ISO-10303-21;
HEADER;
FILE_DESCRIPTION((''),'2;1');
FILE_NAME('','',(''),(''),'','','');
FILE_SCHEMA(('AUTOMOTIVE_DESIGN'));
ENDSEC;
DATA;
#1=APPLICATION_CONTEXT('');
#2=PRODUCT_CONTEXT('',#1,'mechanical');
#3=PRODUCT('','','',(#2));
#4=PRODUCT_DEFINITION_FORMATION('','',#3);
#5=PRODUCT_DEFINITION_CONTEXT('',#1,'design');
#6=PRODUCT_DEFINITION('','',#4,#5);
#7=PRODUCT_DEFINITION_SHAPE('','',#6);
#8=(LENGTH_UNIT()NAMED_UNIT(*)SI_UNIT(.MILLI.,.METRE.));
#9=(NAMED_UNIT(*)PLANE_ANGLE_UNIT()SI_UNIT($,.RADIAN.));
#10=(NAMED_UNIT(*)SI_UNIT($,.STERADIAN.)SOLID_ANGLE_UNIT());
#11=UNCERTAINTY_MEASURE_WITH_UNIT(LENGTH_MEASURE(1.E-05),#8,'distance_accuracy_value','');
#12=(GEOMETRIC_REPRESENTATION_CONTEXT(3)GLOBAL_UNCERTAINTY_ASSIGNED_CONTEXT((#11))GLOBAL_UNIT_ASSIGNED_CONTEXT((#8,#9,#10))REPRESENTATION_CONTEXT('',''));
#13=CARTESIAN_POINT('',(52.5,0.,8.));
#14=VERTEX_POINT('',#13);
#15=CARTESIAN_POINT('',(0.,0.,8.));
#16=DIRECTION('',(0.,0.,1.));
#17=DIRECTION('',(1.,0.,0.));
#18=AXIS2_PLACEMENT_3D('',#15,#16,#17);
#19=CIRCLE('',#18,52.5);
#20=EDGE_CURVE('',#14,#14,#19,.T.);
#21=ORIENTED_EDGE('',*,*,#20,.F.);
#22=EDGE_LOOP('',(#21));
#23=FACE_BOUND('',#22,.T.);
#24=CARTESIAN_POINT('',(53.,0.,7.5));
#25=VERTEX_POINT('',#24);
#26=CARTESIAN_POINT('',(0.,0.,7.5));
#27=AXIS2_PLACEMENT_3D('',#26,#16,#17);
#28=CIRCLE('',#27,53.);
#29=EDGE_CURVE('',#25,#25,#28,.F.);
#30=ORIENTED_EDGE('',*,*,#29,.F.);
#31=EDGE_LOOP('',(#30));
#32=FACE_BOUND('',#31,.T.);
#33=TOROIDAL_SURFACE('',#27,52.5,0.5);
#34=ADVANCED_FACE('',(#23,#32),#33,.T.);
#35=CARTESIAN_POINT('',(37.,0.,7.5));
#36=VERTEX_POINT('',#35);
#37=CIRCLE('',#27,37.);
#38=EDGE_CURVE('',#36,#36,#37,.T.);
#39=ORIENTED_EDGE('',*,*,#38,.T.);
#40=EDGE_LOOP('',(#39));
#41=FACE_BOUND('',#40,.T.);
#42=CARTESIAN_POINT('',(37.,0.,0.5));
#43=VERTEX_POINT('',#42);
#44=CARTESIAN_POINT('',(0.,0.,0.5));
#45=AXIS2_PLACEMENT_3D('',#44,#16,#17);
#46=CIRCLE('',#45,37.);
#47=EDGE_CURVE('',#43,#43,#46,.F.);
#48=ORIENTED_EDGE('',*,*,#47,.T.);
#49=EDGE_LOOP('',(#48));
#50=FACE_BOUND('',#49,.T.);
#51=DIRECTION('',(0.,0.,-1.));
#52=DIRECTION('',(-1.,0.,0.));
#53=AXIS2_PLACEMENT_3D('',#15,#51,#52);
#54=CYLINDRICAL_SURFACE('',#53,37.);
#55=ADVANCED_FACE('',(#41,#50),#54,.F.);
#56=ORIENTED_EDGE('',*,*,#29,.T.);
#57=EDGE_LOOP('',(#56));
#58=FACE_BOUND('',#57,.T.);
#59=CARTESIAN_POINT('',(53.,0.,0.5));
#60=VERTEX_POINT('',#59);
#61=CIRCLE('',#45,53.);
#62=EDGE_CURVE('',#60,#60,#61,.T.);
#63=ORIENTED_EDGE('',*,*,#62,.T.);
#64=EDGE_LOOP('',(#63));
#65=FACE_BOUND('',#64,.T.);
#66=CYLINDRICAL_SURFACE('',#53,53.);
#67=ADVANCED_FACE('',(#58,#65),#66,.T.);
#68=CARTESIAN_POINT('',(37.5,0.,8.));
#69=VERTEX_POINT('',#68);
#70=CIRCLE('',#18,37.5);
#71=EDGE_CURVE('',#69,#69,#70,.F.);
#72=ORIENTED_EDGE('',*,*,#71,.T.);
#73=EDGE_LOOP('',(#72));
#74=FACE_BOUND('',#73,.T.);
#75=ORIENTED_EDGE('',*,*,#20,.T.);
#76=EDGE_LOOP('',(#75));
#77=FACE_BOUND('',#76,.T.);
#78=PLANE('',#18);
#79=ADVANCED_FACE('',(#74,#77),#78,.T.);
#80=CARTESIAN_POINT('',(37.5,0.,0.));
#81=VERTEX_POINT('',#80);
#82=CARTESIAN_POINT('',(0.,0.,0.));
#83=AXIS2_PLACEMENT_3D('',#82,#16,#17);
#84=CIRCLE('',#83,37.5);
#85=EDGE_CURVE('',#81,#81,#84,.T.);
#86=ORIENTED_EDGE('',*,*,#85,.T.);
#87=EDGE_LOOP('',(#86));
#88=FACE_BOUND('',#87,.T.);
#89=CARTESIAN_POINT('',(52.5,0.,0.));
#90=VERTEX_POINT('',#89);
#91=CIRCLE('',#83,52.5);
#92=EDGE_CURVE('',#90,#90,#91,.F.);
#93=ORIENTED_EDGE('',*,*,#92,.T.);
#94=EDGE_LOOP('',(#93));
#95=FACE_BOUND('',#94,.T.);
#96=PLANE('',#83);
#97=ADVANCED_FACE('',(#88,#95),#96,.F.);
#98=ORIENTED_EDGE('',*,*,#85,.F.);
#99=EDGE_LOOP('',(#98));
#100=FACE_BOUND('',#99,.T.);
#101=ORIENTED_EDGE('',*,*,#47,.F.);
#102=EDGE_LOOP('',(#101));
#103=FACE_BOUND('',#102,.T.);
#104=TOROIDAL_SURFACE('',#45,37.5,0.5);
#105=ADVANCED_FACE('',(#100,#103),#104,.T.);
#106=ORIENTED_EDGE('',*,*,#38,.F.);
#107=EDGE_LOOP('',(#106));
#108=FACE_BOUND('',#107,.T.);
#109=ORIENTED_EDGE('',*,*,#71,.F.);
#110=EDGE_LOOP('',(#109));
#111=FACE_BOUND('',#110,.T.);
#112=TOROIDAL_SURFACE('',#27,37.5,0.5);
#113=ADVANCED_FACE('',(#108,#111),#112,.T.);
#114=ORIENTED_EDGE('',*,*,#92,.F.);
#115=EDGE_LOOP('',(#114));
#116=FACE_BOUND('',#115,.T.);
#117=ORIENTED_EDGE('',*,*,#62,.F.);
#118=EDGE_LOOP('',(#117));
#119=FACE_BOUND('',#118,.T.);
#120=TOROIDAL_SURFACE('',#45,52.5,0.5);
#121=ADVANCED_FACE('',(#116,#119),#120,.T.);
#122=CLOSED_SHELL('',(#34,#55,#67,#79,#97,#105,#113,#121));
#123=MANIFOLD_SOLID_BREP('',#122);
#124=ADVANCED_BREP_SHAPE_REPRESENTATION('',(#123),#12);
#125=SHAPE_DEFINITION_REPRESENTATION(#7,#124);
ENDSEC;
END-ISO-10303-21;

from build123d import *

# Parameters (mm, degrees)
SKETCH_1_R      = 53
SKETCH_1_R_2    = 37
EXTRUDE_1_DEPTH = 8
FILLET_1_R      = 0.5


with BuildPart() as part:
    # Эскиз1 → Бобышка-Вытянуть1 (new body)
    with BuildSketch(Plane.XY):
        Circle(SKETCH_1_R)
        Circle(SKETCH_1_R_2, mode=Mode.SUBTRACT)
    extrude(amount=EXTRUDE_1_DEPTH)

    # Скругление1
    fillet_1_edges = [part.edges().sort_by_distance(p)[0] for p in [
        (-53, 0, 0),
        (-53, 0, 8),
        (-37, 0, 0),
        (-37, 0, 8),
    ]]
    fillet(fillet_1_edges, radius=FILLET_1_R)


solid = part.part
